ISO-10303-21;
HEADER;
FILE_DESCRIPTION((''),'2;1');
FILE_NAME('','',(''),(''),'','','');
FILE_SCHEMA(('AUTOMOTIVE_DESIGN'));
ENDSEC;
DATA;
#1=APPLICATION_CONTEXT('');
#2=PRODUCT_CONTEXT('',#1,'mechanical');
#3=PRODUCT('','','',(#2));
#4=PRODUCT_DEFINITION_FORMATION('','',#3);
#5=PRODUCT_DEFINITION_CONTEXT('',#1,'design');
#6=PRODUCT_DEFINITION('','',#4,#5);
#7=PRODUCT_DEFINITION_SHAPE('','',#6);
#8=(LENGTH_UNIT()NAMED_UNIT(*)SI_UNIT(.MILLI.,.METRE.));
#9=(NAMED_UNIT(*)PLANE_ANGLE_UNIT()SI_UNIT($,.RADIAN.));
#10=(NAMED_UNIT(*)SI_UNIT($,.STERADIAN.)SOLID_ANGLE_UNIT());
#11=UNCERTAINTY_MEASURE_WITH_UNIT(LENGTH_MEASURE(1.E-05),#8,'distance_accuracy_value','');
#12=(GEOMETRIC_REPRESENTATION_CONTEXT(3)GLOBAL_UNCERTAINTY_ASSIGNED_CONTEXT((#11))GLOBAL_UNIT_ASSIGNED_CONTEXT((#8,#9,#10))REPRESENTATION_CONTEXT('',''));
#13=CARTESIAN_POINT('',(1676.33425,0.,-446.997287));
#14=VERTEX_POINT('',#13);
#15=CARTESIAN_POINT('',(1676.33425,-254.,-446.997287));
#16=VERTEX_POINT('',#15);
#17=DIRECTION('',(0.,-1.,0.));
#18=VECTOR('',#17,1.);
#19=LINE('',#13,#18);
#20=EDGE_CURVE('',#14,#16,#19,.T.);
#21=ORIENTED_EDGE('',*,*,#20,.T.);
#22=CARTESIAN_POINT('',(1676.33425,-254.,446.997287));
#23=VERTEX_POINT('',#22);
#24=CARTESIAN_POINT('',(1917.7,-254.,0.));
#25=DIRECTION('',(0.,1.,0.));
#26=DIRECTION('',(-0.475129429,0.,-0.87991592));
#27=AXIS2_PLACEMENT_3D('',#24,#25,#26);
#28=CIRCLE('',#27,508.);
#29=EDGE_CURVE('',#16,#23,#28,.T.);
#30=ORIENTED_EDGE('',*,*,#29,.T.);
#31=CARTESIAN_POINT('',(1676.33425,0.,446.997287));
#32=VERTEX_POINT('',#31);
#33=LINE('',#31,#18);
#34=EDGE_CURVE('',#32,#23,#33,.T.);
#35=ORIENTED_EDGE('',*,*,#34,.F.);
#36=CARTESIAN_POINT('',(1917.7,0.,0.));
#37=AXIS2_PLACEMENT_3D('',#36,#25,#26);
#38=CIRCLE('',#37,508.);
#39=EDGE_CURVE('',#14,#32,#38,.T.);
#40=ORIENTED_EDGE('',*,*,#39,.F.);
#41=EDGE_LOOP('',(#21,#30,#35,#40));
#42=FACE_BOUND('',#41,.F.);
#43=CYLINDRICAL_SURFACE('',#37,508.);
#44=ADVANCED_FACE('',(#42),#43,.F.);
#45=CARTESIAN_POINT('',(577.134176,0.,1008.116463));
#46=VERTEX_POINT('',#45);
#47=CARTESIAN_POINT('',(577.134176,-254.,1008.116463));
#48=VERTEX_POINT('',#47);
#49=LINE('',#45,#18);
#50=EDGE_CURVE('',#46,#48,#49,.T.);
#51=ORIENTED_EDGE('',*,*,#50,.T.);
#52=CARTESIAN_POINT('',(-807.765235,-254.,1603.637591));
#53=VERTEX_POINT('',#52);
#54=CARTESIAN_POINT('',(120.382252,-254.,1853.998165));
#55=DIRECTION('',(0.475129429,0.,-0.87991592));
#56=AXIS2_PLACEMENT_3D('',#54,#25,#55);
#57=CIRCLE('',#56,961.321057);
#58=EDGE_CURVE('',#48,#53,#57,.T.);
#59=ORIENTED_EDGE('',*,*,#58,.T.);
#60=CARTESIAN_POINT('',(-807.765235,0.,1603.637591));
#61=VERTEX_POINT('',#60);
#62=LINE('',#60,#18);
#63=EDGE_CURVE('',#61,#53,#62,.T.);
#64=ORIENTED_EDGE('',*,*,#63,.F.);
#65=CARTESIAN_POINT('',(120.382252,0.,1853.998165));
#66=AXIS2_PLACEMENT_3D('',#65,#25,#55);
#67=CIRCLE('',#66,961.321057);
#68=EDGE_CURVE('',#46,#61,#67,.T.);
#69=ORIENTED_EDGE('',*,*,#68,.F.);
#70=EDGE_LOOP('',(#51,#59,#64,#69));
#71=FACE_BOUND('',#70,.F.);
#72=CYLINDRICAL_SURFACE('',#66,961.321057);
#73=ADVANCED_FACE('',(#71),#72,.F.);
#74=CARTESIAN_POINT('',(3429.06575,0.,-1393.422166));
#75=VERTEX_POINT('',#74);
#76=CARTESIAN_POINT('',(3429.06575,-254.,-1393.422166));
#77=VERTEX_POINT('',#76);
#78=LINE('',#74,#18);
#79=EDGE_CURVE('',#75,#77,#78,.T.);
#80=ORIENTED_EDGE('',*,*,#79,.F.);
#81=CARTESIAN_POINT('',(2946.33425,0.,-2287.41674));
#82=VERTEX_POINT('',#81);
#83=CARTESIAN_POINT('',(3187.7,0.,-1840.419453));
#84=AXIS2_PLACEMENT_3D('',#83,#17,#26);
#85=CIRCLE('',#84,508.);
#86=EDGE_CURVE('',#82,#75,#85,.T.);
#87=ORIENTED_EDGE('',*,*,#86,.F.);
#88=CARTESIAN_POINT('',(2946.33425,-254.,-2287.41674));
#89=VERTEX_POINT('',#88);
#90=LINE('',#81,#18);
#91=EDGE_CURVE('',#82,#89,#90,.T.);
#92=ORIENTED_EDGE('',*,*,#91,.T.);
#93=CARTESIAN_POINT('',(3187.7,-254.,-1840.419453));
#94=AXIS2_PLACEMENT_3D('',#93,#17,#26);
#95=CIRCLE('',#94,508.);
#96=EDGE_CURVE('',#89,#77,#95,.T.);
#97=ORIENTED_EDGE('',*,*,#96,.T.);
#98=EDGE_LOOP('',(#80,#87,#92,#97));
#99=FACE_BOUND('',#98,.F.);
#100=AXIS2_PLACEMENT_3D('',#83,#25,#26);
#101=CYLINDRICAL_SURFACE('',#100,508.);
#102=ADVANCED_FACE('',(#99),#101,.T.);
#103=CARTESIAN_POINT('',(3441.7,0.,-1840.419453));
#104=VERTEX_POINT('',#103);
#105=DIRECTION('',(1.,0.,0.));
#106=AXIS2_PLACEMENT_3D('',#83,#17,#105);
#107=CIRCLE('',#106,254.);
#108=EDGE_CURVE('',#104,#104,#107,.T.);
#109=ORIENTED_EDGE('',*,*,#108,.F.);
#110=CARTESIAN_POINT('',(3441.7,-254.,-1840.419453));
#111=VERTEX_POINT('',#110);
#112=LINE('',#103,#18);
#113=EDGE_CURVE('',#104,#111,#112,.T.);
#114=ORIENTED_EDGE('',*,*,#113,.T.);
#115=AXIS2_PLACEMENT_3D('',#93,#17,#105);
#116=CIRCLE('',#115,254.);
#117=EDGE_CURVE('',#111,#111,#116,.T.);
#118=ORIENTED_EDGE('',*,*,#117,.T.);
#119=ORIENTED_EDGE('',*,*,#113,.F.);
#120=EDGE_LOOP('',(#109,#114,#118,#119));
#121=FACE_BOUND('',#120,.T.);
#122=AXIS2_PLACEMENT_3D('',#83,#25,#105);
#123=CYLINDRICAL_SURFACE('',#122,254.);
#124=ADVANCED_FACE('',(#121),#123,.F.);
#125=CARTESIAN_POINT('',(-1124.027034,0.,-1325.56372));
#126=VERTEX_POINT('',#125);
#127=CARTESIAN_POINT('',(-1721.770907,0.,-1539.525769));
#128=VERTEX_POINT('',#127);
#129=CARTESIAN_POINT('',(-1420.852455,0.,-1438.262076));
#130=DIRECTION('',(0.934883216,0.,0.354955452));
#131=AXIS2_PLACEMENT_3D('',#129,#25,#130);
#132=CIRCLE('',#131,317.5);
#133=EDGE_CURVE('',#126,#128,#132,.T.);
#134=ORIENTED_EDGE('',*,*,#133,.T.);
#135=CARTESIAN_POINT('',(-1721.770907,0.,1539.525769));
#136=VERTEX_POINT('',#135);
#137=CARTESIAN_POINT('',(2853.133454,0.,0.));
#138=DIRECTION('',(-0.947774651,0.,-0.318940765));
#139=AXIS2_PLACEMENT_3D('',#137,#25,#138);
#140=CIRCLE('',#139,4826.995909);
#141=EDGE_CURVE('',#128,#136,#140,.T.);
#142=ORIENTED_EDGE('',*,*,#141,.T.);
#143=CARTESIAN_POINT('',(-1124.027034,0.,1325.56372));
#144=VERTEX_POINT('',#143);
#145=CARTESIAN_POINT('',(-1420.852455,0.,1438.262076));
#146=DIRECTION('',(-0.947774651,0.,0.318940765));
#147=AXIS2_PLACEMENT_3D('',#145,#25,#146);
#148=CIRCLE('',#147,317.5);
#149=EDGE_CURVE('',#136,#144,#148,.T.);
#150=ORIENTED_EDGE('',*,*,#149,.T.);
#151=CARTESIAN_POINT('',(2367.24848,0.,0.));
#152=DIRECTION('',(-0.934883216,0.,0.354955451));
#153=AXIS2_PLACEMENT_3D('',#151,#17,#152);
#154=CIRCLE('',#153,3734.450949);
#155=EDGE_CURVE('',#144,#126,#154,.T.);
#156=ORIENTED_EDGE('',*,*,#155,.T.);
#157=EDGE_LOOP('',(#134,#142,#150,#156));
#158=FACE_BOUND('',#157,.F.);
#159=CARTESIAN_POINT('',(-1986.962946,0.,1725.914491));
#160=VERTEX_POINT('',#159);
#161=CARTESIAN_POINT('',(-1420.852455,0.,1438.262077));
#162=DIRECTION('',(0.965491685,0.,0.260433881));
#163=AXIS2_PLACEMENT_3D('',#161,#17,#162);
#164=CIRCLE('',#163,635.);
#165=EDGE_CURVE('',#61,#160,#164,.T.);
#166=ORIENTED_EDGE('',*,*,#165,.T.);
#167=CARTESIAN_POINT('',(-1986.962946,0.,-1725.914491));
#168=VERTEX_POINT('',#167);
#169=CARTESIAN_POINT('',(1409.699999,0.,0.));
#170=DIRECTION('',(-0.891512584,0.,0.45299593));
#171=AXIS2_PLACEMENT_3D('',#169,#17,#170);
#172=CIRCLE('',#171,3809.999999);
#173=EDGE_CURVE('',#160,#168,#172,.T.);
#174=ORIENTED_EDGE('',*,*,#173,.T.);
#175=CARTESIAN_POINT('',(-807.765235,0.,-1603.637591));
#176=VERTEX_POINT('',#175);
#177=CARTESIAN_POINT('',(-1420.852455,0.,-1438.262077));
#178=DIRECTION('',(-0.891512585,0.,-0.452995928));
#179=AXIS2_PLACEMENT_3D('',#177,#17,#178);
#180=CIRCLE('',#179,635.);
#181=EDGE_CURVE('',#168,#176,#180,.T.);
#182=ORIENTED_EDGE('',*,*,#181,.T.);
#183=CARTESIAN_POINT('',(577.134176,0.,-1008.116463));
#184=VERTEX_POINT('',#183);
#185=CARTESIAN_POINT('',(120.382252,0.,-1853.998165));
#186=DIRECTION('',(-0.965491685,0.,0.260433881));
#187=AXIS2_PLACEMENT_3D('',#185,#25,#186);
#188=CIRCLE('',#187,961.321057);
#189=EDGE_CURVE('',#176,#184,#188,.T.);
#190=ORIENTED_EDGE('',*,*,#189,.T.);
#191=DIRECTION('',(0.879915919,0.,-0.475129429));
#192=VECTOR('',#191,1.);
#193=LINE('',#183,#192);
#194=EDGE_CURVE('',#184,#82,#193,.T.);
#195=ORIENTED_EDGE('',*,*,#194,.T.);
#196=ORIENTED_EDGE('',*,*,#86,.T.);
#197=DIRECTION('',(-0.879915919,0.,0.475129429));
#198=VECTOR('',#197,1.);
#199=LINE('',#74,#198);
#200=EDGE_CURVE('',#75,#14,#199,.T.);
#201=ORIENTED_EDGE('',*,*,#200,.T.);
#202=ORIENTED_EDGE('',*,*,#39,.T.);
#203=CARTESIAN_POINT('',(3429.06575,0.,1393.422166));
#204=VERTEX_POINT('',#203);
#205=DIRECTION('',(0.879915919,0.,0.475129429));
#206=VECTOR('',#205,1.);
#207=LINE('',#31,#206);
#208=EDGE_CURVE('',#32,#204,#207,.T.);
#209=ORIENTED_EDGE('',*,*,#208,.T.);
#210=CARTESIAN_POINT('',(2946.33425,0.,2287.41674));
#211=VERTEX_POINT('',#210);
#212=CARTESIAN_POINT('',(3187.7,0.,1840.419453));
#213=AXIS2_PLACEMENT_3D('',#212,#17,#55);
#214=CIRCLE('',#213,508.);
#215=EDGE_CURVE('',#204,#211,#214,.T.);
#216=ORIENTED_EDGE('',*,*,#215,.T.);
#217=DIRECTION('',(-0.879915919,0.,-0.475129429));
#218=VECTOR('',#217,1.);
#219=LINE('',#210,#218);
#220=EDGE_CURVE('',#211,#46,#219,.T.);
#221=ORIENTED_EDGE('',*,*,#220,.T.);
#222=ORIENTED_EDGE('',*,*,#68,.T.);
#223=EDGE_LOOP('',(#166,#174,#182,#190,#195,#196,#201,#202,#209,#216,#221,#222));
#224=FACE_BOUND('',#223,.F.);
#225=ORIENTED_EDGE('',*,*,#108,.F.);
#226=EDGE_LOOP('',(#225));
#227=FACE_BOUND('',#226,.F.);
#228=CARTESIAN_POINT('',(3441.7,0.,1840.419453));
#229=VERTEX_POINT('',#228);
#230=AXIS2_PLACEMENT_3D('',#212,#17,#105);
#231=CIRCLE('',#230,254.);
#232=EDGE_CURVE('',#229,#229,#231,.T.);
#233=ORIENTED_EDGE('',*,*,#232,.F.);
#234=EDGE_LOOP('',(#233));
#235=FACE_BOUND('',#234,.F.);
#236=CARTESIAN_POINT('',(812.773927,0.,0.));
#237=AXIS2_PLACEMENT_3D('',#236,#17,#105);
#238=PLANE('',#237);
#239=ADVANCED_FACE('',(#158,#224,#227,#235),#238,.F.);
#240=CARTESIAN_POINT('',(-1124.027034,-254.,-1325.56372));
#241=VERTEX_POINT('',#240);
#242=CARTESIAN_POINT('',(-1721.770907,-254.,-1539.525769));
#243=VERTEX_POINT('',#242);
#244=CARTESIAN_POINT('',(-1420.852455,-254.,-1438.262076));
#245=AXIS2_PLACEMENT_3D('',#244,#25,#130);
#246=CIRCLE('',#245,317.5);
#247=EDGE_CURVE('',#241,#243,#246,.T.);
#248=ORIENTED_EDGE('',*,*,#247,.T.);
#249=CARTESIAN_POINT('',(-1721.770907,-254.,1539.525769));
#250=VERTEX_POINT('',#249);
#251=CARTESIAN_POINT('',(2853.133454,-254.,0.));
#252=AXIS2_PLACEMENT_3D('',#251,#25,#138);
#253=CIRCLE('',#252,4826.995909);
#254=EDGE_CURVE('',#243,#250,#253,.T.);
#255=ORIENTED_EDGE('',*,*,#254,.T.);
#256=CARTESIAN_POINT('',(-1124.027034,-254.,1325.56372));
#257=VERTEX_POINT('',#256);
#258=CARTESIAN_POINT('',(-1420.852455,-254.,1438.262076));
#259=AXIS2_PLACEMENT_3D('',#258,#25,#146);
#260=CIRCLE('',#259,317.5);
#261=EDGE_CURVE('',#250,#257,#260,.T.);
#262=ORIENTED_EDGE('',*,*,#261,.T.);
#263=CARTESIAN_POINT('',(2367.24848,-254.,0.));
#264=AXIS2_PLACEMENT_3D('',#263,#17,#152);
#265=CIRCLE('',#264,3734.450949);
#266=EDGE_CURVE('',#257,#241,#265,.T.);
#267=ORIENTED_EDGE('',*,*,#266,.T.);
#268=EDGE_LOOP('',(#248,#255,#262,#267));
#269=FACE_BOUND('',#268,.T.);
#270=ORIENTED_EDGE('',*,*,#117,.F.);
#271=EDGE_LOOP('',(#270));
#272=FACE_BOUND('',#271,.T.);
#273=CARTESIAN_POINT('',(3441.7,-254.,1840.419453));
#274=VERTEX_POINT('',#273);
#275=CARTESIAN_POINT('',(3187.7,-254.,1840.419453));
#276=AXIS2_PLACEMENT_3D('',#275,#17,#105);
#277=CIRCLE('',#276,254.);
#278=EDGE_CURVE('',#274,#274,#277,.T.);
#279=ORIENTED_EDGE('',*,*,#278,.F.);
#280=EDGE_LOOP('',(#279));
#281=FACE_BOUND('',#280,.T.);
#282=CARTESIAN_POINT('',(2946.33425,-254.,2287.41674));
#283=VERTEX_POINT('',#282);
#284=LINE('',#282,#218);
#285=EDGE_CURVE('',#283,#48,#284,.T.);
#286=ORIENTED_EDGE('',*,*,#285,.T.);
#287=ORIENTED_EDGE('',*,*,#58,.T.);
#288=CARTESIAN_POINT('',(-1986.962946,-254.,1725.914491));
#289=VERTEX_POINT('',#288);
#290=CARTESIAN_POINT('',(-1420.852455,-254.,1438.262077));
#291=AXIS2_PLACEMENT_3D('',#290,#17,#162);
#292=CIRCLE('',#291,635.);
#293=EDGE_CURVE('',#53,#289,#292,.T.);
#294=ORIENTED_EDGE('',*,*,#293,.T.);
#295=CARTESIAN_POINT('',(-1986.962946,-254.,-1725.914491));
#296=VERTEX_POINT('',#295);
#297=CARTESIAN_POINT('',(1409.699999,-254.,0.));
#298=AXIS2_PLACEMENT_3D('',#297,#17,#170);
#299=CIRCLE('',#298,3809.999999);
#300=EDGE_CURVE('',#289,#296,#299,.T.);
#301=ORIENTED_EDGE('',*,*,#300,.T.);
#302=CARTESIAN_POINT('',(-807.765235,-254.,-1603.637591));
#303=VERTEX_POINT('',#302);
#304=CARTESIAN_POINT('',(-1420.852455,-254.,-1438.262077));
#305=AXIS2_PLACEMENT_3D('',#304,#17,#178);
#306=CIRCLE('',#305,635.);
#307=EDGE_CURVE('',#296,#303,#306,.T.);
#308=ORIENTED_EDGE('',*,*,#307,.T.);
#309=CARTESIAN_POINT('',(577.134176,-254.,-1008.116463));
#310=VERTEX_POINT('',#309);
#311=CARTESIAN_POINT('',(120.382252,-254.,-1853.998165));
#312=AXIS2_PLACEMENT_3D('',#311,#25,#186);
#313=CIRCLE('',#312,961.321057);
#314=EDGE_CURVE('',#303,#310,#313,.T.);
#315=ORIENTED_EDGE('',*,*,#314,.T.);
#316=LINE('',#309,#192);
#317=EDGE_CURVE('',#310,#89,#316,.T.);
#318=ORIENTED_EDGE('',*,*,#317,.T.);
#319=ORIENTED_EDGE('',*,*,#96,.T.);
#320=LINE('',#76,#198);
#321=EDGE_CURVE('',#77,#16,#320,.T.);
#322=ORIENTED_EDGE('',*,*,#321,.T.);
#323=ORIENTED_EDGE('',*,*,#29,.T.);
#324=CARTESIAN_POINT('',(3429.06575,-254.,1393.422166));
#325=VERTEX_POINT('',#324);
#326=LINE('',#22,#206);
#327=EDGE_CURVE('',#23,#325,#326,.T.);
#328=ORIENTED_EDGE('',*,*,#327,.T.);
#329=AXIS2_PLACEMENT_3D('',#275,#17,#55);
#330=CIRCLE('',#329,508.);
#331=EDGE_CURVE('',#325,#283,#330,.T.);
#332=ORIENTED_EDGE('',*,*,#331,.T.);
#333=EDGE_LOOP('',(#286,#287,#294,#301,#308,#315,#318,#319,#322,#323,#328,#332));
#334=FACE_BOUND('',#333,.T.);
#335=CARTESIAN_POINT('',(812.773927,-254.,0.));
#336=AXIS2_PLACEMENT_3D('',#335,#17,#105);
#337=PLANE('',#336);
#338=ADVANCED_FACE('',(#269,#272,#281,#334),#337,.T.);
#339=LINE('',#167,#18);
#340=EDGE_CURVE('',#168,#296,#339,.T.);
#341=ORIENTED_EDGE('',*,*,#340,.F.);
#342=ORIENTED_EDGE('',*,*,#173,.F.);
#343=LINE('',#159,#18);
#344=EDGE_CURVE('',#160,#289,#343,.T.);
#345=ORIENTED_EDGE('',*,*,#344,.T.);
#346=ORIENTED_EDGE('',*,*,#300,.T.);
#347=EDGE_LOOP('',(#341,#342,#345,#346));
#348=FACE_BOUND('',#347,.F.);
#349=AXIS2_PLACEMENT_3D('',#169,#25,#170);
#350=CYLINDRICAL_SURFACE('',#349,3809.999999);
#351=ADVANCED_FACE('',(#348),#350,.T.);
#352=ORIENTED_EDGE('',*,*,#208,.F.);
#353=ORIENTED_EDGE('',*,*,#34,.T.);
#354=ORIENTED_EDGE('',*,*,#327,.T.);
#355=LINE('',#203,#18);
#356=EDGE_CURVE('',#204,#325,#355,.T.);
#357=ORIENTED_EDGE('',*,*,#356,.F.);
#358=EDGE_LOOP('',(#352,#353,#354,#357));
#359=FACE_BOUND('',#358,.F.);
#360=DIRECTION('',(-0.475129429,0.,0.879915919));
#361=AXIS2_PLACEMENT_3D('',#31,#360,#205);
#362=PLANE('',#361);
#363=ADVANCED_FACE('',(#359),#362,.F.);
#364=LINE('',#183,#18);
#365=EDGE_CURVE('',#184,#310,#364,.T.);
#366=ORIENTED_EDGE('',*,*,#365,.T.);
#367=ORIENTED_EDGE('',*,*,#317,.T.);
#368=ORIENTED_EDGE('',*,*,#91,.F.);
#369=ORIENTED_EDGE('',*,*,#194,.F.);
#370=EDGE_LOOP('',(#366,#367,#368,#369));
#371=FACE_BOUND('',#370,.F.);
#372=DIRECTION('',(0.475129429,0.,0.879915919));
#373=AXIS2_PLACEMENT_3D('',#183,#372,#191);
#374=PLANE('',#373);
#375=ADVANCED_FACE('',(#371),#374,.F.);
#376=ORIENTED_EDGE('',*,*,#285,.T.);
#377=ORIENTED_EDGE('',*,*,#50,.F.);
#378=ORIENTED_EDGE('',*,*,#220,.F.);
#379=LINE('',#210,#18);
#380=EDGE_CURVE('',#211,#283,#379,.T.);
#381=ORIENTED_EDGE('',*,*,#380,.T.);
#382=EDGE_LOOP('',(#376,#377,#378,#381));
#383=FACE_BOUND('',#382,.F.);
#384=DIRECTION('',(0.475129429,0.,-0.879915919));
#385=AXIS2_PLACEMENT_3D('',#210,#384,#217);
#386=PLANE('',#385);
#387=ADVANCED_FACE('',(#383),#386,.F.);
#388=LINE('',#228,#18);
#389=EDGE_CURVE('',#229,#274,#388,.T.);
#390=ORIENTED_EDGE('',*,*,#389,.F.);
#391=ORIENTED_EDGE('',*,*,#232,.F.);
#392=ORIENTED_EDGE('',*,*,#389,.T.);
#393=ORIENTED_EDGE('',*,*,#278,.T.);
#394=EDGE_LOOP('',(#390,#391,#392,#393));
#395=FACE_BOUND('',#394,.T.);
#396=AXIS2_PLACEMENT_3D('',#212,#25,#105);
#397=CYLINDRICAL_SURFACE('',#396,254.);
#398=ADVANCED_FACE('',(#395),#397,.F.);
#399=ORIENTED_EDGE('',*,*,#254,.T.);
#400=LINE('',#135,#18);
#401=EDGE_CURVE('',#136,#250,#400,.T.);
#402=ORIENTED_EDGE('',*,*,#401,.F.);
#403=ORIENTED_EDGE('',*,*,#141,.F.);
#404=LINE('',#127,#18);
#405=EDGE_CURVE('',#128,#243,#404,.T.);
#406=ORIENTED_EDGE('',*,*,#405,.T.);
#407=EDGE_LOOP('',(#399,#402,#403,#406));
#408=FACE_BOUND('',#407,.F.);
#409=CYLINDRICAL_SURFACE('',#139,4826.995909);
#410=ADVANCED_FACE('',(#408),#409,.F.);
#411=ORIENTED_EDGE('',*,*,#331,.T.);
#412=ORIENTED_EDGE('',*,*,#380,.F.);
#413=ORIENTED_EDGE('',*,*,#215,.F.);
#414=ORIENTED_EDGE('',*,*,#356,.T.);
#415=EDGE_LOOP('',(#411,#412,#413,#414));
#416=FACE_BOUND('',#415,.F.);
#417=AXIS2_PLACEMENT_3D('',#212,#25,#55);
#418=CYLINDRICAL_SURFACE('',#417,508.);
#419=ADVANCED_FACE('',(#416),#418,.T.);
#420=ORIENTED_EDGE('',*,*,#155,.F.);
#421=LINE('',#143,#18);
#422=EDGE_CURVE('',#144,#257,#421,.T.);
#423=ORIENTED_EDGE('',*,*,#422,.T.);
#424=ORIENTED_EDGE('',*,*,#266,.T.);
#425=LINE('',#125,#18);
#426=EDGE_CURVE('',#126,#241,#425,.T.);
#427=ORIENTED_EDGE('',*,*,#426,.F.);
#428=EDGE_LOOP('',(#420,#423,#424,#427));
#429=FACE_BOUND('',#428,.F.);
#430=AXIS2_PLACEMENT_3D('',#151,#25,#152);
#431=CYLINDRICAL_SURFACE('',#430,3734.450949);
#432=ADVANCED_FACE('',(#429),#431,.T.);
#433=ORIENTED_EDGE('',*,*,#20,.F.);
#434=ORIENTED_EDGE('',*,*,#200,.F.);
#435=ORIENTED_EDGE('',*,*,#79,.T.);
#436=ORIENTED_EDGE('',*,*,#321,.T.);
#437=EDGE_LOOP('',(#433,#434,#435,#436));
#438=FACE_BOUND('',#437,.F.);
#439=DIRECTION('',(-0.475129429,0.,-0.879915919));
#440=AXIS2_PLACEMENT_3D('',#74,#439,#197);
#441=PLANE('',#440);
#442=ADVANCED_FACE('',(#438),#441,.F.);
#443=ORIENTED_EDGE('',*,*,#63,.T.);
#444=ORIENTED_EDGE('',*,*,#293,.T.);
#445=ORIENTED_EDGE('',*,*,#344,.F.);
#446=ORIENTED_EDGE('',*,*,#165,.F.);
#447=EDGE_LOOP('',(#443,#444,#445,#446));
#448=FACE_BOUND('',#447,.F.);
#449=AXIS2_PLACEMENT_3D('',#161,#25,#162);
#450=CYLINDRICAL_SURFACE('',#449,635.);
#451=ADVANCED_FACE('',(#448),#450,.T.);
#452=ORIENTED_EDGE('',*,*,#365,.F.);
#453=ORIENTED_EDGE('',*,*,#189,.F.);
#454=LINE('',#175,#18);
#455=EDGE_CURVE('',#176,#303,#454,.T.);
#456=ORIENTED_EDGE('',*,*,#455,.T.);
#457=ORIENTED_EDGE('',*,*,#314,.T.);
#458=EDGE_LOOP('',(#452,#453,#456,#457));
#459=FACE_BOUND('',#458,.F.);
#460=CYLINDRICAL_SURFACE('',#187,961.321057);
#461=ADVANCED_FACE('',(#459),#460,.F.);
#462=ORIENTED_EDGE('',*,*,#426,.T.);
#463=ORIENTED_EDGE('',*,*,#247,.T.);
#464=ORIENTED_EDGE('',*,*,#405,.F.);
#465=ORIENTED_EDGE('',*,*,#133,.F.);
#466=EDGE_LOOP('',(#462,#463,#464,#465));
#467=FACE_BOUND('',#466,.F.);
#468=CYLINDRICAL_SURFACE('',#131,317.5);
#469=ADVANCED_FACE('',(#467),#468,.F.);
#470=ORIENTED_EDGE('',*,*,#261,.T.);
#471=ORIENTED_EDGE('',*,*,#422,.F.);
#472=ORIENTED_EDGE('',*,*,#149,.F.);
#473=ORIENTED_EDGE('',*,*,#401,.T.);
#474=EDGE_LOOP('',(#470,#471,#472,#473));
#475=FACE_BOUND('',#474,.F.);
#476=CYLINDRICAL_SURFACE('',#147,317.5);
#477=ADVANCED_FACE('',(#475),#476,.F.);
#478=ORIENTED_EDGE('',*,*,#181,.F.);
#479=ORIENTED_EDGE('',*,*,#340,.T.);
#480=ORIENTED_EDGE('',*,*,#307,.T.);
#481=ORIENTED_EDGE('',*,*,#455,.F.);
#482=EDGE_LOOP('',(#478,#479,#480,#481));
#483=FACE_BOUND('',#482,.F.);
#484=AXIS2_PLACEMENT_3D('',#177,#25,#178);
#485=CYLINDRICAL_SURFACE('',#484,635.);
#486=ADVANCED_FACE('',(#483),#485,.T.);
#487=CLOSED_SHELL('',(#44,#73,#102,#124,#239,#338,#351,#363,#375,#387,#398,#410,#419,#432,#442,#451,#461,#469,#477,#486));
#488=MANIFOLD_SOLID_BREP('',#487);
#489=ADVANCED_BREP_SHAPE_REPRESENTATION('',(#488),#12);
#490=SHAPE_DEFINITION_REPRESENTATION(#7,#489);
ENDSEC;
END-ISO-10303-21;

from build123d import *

# Parameters (mm, degrees)
F0_R     = 254
F1_DEPTH = 254


with BuildPart() as f1:
    # F0 (on Front) → F1 (new body)
    with BuildSketch(Plane.XZ):
        with BuildLine():
            ThreePointArc((1676.33425, -446.997287), (1409.7, 0), (1676.33425, 446.997287))
            Line((1676.33425, 446.997287), (3429.06575, 1393.422166))
            ThreePointArc((3429.06575, 1393.422166), (3634.697287, 2081.785203), (2946.33425, 2287.41674))
            Line((2946.33425, 2287.41674), (577.134176, 1008.116463))
            ThreePointArc((577.134176, 1008.116463), (-259.373983, 970.865459), (-807.765235, 1603.637591))
            ThreePointArc((-807.765235, 1603.637591), (-1355.357315, 2069.875397), (-1986.962946, 1725.914491))
            ThreePointArc((-1986.962946, 1725.914491), (-2400.3, 0), (-1986.962946, -1725.914491))
            ThreePointArc((-1986.962946, -1725.914491), (-1355.357315, -2069.875397), (-807.765235, -1603.637591))
            ThreePointArc((-807.765235, -1603.637591), (-259.373983, -970.865459), (577.134176, -1008.116463))
            Line((577.134176, -1008.116463), (2946.33425, -2287.41674))
            ThreePointArc((2946.33425, -2287.41674), (3634.697287, -2081.785203), (3429.06575, -1393.422166))
            Line((3429.06575, -1393.422166), (1676.33425, -446.997287))
        make_face()
        with BuildLine():
            ThreePointArc((-1721.770907, 1539.525769), (-1313.851858, 1737.188693), (-1124.027034, 1325.56372))
            ThreePointArc((-1124.027034, 1325.56372), (-1367.202469, 0), (-1124.027034, -1325.56372))
            ThreePointArc((-1124.027034, -1325.56372), (-1313.851858, -1737.188693), (-1721.770907, -1539.525769))
            ThreePointArc((-1721.770907, -1539.525769), (-1973.862455, 0), (-1721.770907, 1539.525769))
        make_face(mode=Mode.SUBTRACT)
        with Locations((3187.7, -1840.419453)):
            Circle(F0_R, mode=Mode.SUBTRACT)
        with Locations((3187.7, 1840.419453)):
            Circle(F0_R, mode=Mode.SUBTRACT)
    extrude(amount=F1_DEPTH)


solid = f1.part
